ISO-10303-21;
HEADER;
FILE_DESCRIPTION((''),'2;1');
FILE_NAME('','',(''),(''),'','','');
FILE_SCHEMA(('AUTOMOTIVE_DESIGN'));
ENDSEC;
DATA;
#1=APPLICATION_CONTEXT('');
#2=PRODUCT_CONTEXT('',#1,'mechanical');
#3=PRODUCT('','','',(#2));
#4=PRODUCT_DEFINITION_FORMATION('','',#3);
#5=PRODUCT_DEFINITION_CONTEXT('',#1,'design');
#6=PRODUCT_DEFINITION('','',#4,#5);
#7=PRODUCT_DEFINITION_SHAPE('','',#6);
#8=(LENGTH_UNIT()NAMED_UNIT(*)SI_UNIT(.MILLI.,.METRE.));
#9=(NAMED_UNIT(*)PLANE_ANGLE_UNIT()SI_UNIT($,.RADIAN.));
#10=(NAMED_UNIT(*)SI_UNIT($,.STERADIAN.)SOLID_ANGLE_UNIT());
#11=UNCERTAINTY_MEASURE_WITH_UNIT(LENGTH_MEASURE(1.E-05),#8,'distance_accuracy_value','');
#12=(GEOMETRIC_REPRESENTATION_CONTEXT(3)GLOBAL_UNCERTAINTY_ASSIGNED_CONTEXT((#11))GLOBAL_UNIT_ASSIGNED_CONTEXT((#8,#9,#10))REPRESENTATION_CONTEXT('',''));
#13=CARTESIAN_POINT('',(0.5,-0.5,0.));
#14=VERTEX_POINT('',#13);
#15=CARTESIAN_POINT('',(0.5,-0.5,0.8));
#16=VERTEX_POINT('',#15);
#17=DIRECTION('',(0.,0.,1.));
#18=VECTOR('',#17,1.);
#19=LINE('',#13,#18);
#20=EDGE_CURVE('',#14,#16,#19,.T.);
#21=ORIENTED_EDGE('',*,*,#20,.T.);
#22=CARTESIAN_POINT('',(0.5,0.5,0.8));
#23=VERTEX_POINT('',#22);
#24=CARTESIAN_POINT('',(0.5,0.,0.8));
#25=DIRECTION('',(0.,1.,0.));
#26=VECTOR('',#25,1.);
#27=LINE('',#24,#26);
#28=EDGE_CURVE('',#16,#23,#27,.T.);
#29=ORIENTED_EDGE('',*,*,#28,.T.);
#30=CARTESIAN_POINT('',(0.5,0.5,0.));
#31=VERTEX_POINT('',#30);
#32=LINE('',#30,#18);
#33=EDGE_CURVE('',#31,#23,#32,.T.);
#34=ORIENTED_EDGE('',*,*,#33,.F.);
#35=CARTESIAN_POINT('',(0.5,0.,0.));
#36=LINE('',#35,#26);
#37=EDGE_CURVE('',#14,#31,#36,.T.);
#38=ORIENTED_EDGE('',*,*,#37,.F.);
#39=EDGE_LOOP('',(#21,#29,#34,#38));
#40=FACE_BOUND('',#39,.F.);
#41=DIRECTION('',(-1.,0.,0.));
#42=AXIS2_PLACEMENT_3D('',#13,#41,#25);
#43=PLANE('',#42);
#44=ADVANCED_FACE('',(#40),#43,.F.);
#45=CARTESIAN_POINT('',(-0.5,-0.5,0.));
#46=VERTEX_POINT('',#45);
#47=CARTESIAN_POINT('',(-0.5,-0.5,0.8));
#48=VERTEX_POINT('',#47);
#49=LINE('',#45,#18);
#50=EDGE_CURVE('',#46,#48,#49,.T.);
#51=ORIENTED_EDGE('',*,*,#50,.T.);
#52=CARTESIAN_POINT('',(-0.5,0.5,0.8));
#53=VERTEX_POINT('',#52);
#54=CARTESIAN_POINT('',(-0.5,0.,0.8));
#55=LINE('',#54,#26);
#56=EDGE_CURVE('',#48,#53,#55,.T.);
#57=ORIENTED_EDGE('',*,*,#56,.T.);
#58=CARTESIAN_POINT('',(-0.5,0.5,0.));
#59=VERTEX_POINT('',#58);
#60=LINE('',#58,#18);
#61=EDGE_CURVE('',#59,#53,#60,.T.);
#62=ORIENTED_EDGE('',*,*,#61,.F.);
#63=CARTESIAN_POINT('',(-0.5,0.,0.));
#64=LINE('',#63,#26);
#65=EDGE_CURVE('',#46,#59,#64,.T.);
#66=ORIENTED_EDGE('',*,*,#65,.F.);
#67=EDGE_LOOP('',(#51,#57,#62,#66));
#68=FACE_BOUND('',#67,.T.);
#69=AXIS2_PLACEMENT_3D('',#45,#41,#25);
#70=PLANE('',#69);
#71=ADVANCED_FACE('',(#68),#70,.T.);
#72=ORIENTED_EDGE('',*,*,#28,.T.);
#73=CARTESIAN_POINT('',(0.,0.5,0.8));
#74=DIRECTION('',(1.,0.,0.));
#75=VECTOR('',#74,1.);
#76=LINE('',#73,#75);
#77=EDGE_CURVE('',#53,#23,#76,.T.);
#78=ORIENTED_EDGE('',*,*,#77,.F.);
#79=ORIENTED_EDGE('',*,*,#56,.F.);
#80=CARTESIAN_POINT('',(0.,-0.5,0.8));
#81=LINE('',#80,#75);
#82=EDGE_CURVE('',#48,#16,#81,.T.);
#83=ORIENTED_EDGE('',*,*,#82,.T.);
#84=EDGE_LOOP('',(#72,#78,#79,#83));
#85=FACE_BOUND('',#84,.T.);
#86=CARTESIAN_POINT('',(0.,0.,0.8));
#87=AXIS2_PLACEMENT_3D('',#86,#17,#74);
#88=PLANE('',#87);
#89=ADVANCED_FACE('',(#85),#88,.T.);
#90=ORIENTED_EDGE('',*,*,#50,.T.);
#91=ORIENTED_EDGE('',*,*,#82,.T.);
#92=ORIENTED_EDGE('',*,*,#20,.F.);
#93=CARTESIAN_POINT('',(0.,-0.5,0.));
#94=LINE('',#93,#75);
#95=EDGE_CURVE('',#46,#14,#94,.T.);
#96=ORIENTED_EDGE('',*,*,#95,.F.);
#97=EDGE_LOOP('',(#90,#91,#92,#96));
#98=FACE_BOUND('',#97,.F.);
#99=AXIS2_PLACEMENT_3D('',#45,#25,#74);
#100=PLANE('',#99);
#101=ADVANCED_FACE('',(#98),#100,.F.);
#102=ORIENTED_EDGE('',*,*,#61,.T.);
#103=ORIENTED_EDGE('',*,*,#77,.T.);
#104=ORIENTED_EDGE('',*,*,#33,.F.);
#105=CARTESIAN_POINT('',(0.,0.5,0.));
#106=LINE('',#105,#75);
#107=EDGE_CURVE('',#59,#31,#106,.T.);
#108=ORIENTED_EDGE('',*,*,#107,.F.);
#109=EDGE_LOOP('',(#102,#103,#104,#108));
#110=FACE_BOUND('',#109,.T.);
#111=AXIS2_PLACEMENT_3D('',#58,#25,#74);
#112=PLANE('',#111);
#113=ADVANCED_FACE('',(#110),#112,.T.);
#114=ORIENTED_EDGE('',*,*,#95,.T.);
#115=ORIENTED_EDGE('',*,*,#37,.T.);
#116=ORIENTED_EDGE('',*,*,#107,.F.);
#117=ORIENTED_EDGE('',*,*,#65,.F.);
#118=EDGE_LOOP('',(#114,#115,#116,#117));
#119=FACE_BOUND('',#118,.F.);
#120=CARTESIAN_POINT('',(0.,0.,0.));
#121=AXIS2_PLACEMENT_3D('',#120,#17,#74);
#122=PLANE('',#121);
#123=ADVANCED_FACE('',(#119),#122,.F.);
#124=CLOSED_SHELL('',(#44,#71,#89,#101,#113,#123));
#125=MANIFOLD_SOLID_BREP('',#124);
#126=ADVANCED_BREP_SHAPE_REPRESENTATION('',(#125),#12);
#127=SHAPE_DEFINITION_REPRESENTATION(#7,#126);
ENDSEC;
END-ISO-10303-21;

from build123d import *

# Parameters (mm, degrees)
BOX_W     = 1
BOX_H     = 1
BOX_DEPTH = 0.8


with BuildPart() as part:
    # Box → Box (new body)
    with BuildSketch(Plane(origin=(-0.5, -0.5, 0), x_dir=(1, 0, 0), z_dir=(0, 0, 1))):
        with Locations((0.5, 0.5)):
            Rectangle(BOX_W, BOX_H)
    extrude(amount=BOX_DEPTH)


solid = part.part
